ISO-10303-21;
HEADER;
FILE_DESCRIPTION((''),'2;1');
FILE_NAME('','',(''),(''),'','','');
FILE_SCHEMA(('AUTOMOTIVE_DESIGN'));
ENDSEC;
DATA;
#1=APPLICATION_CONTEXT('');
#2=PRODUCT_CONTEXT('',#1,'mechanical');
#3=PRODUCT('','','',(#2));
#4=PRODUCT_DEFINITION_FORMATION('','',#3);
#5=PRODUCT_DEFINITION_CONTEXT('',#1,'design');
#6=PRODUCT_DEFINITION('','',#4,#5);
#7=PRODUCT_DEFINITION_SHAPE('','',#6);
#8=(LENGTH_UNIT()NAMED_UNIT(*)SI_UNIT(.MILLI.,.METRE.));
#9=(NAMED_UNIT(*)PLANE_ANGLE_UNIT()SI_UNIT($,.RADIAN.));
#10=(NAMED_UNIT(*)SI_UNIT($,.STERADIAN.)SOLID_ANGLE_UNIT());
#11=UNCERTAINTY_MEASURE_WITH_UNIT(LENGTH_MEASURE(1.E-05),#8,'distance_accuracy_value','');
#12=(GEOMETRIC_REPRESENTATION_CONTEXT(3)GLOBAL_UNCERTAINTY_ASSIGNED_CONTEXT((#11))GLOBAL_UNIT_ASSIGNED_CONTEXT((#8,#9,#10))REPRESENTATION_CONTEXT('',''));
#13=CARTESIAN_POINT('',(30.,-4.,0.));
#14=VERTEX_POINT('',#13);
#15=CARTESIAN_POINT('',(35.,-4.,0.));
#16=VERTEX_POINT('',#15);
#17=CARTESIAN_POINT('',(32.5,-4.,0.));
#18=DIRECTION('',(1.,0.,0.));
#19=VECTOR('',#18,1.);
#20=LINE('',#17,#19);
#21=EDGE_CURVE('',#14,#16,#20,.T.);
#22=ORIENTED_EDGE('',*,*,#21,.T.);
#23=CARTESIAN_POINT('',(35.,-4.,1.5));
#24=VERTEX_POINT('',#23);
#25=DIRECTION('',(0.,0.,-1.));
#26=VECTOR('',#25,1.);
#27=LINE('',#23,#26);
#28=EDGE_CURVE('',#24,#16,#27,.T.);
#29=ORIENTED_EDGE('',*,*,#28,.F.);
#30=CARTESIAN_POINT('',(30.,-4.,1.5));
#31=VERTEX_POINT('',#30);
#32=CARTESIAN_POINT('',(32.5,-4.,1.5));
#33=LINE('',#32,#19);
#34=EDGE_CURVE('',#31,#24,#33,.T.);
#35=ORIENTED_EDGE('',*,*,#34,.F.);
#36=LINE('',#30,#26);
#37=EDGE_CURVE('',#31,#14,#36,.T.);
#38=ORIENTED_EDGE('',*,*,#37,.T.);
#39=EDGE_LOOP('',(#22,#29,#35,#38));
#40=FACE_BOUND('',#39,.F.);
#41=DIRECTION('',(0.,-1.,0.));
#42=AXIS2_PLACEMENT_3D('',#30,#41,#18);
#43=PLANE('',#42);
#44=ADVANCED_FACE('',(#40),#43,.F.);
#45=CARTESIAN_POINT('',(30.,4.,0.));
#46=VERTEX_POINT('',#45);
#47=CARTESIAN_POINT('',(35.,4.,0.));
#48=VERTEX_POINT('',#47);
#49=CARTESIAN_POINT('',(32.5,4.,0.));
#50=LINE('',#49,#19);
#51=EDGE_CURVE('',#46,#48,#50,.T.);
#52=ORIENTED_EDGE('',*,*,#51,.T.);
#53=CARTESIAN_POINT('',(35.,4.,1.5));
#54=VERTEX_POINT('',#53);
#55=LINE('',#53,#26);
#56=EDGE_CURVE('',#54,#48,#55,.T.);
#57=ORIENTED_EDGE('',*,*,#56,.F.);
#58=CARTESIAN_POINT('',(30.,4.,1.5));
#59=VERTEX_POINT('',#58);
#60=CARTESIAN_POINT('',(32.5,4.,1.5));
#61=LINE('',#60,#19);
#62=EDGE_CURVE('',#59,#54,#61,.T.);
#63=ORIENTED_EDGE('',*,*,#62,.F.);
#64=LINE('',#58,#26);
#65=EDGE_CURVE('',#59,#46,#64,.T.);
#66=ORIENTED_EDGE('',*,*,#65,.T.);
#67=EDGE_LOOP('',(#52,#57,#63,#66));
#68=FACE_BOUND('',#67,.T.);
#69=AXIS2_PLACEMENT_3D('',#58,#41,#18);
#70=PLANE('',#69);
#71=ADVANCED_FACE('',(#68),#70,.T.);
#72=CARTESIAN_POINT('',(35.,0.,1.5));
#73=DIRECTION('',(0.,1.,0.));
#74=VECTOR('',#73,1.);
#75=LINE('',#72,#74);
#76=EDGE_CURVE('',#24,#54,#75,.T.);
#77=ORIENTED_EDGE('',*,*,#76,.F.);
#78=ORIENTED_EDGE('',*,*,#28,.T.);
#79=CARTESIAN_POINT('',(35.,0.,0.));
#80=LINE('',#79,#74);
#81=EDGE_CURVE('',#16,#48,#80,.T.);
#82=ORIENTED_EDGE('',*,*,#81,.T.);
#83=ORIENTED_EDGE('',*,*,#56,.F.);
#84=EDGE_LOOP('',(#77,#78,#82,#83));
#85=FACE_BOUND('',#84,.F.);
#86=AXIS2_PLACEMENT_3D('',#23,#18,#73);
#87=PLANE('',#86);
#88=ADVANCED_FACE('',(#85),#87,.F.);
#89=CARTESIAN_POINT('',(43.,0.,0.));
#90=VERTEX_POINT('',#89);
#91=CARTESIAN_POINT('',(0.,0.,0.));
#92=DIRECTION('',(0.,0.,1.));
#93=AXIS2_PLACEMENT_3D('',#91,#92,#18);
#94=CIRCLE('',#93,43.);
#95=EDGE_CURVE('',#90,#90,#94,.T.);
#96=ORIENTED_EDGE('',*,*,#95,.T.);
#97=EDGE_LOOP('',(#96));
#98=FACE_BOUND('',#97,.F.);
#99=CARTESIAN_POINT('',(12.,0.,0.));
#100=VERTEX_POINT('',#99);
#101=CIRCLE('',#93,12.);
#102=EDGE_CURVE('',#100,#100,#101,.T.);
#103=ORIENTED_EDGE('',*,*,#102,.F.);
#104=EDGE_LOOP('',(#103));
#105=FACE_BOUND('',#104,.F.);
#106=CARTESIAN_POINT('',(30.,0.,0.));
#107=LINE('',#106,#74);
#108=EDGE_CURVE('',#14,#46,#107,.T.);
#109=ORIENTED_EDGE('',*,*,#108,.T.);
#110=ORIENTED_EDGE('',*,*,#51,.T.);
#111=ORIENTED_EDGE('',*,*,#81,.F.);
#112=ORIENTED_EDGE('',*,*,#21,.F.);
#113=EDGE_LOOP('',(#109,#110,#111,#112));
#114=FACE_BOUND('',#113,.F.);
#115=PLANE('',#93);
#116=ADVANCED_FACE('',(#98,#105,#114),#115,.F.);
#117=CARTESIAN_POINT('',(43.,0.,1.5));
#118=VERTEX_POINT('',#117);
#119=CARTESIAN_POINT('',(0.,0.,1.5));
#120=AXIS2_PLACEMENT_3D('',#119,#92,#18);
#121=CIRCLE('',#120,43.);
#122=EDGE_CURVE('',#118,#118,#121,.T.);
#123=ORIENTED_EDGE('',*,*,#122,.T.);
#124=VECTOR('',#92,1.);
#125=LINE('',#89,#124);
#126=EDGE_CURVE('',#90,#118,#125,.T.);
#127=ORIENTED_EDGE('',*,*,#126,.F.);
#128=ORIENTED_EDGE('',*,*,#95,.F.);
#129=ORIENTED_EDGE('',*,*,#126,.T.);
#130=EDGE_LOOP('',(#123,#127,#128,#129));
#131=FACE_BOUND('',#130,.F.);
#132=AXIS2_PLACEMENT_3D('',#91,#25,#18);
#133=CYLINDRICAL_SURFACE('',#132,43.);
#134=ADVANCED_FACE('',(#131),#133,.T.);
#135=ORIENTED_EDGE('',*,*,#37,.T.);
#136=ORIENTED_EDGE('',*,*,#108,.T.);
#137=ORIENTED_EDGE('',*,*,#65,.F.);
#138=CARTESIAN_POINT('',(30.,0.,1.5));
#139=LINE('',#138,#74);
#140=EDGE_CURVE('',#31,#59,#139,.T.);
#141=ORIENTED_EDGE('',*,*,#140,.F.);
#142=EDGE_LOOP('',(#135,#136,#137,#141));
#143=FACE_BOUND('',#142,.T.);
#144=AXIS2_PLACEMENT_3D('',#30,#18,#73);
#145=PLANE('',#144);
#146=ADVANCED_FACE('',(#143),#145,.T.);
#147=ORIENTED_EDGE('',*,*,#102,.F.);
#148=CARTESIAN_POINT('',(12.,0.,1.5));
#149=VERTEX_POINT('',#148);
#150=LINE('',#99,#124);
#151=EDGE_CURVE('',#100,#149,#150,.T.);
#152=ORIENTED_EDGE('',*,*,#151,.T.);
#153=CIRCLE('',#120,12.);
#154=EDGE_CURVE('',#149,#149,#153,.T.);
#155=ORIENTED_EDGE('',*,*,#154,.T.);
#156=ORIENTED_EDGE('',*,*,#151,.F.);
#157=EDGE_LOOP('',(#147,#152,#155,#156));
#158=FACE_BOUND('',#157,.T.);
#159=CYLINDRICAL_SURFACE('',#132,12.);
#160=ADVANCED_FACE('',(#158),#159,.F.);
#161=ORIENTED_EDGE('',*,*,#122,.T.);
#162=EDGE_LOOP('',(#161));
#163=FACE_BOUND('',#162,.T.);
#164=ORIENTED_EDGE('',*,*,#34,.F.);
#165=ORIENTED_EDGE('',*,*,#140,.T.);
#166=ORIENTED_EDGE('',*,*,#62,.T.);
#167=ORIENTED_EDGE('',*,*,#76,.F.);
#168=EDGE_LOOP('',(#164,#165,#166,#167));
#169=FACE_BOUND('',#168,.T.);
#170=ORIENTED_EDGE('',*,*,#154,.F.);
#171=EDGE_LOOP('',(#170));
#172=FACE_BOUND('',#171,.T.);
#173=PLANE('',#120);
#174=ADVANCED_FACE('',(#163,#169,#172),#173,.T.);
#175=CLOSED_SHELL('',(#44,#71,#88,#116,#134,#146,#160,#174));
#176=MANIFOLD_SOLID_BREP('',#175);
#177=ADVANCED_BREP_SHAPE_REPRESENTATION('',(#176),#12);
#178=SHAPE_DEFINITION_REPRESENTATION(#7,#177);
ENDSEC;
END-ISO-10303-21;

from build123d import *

# Parameters (mm, degrees)
F0_R     = 43
F0_R_2   = 12
F1_DEPTH = 1.5
F2_W     = 5
F2_H     = 8
F3_DEPTH = 1.5


with BuildPart() as f1:
    # F0 (on Top) → F1 (new body)
    with BuildSketch(Plane.XY):
        Circle(F0_R)
        Circle(F0_R_2, mode=Mode.SUBTRACT)
    extrude(amount=F1_DEPTH)

    # F2 (on face) → F3 (cut, through all)
    with BuildSketch(Plane.XY.offset(1.5)):
        with Locations((32.5, 0)):
            Rectangle(F2_W, F2_H)
    extrude(amount=-F3_DEPTH, mode=Mode.SUBTRACT)


solid = f1.part
